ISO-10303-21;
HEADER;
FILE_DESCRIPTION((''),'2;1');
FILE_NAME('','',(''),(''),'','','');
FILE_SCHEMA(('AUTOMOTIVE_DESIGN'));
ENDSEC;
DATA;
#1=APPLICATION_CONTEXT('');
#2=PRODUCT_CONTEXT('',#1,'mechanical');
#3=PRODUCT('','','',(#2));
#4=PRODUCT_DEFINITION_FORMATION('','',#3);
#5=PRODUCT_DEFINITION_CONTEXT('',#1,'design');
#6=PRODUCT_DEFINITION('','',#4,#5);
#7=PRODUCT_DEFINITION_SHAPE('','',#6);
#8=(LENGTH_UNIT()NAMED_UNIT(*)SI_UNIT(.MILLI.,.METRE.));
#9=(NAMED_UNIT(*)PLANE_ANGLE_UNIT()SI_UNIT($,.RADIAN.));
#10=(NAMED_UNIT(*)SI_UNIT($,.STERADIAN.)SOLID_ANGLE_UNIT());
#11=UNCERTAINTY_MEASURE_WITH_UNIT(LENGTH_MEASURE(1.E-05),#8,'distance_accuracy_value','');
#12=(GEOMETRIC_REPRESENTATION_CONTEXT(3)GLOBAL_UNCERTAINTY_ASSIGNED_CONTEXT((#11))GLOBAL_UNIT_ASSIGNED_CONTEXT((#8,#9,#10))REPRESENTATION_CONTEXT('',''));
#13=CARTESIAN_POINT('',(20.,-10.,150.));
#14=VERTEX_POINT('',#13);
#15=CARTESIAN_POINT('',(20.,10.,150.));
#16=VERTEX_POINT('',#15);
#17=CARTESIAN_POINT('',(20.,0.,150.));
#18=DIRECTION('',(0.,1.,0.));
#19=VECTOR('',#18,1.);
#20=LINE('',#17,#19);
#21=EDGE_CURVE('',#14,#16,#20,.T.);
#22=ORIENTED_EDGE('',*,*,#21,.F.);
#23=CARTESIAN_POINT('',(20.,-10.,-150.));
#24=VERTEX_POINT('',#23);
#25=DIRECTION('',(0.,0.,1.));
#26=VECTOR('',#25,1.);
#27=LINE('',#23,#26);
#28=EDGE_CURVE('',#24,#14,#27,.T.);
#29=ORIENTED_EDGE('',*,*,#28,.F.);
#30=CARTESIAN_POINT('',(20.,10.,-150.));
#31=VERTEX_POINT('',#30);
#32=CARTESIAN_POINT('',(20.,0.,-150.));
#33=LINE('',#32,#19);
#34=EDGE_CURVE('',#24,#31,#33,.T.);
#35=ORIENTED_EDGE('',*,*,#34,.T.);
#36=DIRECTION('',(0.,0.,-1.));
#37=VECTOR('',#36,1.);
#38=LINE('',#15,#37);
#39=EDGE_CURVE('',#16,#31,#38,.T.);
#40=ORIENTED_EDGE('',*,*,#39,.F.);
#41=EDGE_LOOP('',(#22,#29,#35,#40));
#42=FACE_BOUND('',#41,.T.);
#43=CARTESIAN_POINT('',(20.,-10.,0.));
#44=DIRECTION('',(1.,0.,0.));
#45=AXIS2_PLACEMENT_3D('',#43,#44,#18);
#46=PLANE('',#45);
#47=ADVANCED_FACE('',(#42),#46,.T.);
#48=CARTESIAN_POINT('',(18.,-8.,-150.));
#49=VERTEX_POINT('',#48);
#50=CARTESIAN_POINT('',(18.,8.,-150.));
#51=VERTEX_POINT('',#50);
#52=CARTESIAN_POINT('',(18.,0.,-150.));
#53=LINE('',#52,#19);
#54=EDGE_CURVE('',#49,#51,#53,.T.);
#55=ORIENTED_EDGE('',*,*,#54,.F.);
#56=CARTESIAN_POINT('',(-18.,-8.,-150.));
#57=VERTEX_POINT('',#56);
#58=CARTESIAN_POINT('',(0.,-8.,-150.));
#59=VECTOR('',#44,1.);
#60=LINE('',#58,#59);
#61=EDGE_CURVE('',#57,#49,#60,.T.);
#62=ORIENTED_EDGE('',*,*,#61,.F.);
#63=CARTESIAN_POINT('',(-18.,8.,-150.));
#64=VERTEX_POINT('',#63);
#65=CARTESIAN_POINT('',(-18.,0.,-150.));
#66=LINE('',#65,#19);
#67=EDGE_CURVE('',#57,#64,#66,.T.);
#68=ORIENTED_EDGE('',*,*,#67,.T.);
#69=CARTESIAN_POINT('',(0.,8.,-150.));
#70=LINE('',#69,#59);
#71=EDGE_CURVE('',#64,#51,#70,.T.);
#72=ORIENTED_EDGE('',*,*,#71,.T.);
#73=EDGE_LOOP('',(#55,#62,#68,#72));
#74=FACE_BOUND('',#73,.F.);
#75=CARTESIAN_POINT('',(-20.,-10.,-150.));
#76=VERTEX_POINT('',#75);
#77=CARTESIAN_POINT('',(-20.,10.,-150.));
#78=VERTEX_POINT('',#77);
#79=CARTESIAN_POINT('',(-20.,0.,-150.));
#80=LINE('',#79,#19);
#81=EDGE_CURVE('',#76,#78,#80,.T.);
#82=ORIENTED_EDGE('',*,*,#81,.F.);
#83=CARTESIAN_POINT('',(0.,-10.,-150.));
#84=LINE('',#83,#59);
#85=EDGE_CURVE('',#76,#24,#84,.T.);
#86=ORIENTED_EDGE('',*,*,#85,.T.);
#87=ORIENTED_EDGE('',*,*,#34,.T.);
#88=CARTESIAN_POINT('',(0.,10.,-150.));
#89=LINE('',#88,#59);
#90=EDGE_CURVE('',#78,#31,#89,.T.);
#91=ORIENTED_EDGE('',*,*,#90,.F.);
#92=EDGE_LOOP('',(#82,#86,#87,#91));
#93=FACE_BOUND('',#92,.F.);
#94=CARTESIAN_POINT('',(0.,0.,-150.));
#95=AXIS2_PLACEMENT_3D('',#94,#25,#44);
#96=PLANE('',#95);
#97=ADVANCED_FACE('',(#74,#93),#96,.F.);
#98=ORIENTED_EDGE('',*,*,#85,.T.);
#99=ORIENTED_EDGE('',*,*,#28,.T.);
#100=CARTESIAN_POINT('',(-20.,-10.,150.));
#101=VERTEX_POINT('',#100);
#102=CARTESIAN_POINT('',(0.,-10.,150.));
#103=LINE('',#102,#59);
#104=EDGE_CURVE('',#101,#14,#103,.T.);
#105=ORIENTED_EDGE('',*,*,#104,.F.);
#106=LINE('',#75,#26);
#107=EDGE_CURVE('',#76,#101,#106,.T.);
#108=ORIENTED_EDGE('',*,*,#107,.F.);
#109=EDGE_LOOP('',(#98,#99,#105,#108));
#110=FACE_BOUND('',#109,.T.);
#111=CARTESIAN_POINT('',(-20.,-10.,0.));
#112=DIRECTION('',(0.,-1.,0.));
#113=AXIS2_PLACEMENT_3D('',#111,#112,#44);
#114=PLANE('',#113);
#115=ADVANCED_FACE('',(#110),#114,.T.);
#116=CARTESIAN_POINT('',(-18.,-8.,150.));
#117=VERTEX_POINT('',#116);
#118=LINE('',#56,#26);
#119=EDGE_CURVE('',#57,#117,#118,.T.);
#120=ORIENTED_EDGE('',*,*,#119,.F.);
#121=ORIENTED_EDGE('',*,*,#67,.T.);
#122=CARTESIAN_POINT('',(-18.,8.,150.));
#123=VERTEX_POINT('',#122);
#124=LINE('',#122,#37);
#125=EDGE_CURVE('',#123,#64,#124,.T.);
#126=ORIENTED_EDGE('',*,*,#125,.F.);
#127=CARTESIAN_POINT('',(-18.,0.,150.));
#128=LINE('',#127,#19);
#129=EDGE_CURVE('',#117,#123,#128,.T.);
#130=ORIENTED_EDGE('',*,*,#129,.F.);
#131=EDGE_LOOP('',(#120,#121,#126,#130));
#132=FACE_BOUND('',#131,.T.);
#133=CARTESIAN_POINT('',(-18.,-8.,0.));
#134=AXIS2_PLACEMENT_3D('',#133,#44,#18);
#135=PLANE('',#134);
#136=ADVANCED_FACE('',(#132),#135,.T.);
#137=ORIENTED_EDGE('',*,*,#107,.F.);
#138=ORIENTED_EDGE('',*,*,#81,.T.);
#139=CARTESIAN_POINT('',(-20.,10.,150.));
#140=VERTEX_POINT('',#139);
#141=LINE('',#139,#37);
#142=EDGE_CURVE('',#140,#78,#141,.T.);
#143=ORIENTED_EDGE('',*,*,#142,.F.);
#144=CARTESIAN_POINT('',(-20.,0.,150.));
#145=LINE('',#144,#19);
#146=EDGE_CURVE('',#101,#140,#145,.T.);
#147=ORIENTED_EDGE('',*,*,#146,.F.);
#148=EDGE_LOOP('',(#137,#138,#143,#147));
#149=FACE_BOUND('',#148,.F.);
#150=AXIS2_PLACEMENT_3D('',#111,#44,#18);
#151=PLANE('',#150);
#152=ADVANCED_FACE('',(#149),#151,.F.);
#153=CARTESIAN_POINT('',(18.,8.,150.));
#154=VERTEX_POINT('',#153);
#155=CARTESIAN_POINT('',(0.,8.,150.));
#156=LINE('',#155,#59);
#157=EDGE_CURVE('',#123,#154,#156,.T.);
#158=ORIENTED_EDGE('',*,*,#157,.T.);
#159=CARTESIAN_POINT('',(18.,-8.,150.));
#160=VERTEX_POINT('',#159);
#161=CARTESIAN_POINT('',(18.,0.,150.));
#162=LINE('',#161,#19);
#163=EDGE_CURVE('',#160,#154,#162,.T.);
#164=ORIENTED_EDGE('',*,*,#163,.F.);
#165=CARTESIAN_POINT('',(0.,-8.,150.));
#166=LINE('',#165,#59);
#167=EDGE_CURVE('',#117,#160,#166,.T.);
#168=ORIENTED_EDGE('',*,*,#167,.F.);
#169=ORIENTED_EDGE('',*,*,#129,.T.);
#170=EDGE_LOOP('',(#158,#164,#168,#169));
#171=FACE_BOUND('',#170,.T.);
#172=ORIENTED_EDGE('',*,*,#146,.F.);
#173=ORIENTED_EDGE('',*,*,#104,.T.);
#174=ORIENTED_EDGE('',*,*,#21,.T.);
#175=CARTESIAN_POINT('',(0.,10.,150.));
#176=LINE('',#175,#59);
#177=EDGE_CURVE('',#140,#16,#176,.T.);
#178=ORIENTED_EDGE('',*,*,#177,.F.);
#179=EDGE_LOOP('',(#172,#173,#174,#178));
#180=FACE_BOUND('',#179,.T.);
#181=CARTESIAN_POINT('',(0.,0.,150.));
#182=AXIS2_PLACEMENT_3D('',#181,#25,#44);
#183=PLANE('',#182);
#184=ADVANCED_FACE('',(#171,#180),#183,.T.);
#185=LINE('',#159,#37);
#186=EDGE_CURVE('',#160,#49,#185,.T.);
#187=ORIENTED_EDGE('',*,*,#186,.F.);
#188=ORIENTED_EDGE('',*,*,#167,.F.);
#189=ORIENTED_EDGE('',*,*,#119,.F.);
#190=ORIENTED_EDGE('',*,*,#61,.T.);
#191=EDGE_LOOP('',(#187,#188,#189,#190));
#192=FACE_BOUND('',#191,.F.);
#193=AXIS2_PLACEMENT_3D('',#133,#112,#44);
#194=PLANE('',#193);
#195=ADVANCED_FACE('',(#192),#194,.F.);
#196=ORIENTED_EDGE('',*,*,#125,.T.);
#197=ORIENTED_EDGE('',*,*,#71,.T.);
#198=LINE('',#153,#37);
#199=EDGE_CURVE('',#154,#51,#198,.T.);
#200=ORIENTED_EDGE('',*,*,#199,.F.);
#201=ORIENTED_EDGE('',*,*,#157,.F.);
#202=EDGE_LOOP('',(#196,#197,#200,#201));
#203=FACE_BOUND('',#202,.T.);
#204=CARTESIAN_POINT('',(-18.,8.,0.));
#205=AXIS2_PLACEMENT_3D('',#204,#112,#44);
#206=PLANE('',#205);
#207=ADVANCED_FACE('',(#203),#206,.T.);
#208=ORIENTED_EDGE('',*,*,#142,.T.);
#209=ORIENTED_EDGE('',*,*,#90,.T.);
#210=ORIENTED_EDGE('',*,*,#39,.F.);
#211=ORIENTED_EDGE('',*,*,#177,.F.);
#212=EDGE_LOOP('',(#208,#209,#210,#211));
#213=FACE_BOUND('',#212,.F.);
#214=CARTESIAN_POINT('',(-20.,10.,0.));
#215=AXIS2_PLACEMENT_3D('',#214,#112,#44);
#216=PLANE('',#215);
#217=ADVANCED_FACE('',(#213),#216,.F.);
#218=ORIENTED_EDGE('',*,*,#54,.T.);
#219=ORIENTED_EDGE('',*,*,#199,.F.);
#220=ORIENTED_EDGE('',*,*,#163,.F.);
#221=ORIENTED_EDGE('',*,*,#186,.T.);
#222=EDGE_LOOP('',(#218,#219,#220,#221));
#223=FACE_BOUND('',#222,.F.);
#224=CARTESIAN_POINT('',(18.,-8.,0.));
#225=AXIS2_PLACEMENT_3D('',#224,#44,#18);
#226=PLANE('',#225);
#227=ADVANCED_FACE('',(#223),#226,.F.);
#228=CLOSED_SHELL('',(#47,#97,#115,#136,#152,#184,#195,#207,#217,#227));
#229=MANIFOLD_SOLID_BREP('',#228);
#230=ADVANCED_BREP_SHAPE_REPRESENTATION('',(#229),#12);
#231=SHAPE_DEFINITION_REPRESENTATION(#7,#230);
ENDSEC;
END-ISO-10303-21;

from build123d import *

# Parameters (mm, degrees)
SKETCH_W   = 40
SKETCH_H   = 20
SKETCH_W_2 = 36
SKETCH_H_2 = 16
PAD_DEPTH  = 150


with BuildPart() as part:
    # Sketch → Pad (new body, symmetric)
    with BuildSketch(Plane.XY):
        Rectangle(SKETCH_W, SKETCH_H)
        Rectangle(SKETCH_W_2, SKETCH_H_2, mode=Mode.SUBTRACT)
    extrude(amount=PAD_DEPTH, both=True)


solid = part.part
